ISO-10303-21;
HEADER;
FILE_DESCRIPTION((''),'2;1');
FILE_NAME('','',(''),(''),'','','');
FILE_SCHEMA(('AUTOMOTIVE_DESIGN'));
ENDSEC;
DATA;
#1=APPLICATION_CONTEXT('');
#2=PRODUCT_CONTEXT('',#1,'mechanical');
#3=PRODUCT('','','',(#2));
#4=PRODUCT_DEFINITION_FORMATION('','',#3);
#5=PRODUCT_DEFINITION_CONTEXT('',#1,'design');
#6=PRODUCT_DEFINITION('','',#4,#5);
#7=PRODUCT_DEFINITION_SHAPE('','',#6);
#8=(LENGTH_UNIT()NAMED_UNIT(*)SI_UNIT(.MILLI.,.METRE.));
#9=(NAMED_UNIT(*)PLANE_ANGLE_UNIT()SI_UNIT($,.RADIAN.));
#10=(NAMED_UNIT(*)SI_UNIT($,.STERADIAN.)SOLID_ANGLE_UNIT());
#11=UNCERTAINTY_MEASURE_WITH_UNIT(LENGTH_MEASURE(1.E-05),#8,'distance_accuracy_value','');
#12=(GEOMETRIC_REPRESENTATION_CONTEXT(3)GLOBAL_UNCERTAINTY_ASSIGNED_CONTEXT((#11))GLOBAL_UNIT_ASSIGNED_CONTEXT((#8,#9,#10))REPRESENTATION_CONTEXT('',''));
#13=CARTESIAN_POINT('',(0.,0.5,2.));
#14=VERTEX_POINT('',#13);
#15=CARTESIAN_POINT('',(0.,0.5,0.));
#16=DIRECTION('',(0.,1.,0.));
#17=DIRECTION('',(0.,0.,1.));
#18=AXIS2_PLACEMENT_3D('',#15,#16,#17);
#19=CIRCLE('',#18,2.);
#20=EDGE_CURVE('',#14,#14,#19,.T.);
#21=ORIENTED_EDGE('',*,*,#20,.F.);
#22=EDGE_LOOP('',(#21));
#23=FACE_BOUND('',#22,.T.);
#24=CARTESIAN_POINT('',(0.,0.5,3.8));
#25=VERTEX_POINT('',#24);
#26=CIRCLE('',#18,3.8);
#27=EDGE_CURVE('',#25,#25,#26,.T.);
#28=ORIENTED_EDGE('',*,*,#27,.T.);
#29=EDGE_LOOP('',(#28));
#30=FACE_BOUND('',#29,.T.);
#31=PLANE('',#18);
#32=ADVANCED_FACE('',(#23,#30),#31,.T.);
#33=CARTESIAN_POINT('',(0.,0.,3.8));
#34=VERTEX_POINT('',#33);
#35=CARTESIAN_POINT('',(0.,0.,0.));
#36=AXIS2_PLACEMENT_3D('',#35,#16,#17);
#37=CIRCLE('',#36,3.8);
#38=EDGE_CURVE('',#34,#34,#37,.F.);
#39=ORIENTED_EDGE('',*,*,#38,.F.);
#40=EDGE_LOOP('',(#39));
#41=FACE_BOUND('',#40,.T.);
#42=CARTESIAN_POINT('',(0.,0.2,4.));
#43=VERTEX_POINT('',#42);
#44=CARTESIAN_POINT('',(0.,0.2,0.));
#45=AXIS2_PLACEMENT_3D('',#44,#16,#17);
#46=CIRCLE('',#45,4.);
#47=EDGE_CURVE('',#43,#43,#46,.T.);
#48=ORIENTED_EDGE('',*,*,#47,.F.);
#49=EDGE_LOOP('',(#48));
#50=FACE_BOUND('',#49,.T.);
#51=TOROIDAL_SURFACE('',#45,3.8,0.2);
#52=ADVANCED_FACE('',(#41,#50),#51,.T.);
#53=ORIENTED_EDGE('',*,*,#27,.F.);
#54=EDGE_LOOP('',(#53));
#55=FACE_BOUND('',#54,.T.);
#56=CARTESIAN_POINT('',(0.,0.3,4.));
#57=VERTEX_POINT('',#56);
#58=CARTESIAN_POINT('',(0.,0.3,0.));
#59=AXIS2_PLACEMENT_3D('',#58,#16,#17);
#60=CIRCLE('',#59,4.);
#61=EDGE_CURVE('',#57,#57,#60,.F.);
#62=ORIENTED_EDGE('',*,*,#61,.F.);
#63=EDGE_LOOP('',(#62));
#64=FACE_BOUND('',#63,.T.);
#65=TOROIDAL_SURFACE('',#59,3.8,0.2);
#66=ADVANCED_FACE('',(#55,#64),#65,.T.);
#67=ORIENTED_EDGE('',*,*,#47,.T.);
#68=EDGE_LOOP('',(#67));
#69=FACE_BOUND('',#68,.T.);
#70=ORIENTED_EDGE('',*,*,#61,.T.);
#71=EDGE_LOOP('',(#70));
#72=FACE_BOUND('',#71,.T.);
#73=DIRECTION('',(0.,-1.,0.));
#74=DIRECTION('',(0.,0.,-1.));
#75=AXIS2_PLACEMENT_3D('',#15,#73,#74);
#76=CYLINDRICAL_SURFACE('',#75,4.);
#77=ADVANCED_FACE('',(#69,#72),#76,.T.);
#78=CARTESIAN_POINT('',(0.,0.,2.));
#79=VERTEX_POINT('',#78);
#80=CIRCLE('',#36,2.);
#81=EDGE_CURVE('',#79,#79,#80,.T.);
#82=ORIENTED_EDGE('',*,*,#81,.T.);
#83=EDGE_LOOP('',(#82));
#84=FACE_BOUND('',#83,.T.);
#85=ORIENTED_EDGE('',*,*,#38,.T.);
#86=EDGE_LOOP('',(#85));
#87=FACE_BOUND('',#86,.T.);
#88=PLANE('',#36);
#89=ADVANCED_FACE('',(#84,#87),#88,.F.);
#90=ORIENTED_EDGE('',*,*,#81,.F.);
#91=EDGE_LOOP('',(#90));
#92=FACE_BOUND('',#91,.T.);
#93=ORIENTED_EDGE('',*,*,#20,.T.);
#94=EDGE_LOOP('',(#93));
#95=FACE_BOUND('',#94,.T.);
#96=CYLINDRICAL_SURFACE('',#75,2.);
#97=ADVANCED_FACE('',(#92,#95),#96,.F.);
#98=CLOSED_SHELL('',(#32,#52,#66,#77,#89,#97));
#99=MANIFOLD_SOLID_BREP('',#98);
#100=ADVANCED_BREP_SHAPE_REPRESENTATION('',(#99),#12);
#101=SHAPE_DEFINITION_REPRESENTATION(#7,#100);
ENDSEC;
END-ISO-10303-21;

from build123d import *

# Parameters (mm, degrees)
SKETCH1_R           = 4
SKETCH1_R_2         = 2
BOSS_EXTRUDE1_DEPTH = 0.5
FILLET1_R           = 0.2
FILLET2_R           = 0.2


with BuildPart() as part:
    # Sketch1 → Boss-Extrude1 (new body)
    with BuildSketch(Plane(origin=(0, 0, 0), x_dir=(1, 0, 0), z_dir=(0, 1, 0))):
        Circle(SKETCH1_R)
        Circle(SKETCH1_R_2, mode=Mode.SUBTRACT)
    extrude(amount=BOSS_EXTRUDE1_DEPTH)

    # Fillet1
    fillet1_edges = [part.edges().sort_by_distance(p)[0] for p in [
        (-4, 0.5, 0),
    ]]
    fillet(fillet1_edges, radius=FILLET1_R)

    # Fillet2
    fillet2_edges = [part.edges().sort_by_distance(p)[0] for p in [
        (-4, 0, 0),
    ]]
    fillet(fillet2_edges, radius=FILLET2_R)


solid = part.part
